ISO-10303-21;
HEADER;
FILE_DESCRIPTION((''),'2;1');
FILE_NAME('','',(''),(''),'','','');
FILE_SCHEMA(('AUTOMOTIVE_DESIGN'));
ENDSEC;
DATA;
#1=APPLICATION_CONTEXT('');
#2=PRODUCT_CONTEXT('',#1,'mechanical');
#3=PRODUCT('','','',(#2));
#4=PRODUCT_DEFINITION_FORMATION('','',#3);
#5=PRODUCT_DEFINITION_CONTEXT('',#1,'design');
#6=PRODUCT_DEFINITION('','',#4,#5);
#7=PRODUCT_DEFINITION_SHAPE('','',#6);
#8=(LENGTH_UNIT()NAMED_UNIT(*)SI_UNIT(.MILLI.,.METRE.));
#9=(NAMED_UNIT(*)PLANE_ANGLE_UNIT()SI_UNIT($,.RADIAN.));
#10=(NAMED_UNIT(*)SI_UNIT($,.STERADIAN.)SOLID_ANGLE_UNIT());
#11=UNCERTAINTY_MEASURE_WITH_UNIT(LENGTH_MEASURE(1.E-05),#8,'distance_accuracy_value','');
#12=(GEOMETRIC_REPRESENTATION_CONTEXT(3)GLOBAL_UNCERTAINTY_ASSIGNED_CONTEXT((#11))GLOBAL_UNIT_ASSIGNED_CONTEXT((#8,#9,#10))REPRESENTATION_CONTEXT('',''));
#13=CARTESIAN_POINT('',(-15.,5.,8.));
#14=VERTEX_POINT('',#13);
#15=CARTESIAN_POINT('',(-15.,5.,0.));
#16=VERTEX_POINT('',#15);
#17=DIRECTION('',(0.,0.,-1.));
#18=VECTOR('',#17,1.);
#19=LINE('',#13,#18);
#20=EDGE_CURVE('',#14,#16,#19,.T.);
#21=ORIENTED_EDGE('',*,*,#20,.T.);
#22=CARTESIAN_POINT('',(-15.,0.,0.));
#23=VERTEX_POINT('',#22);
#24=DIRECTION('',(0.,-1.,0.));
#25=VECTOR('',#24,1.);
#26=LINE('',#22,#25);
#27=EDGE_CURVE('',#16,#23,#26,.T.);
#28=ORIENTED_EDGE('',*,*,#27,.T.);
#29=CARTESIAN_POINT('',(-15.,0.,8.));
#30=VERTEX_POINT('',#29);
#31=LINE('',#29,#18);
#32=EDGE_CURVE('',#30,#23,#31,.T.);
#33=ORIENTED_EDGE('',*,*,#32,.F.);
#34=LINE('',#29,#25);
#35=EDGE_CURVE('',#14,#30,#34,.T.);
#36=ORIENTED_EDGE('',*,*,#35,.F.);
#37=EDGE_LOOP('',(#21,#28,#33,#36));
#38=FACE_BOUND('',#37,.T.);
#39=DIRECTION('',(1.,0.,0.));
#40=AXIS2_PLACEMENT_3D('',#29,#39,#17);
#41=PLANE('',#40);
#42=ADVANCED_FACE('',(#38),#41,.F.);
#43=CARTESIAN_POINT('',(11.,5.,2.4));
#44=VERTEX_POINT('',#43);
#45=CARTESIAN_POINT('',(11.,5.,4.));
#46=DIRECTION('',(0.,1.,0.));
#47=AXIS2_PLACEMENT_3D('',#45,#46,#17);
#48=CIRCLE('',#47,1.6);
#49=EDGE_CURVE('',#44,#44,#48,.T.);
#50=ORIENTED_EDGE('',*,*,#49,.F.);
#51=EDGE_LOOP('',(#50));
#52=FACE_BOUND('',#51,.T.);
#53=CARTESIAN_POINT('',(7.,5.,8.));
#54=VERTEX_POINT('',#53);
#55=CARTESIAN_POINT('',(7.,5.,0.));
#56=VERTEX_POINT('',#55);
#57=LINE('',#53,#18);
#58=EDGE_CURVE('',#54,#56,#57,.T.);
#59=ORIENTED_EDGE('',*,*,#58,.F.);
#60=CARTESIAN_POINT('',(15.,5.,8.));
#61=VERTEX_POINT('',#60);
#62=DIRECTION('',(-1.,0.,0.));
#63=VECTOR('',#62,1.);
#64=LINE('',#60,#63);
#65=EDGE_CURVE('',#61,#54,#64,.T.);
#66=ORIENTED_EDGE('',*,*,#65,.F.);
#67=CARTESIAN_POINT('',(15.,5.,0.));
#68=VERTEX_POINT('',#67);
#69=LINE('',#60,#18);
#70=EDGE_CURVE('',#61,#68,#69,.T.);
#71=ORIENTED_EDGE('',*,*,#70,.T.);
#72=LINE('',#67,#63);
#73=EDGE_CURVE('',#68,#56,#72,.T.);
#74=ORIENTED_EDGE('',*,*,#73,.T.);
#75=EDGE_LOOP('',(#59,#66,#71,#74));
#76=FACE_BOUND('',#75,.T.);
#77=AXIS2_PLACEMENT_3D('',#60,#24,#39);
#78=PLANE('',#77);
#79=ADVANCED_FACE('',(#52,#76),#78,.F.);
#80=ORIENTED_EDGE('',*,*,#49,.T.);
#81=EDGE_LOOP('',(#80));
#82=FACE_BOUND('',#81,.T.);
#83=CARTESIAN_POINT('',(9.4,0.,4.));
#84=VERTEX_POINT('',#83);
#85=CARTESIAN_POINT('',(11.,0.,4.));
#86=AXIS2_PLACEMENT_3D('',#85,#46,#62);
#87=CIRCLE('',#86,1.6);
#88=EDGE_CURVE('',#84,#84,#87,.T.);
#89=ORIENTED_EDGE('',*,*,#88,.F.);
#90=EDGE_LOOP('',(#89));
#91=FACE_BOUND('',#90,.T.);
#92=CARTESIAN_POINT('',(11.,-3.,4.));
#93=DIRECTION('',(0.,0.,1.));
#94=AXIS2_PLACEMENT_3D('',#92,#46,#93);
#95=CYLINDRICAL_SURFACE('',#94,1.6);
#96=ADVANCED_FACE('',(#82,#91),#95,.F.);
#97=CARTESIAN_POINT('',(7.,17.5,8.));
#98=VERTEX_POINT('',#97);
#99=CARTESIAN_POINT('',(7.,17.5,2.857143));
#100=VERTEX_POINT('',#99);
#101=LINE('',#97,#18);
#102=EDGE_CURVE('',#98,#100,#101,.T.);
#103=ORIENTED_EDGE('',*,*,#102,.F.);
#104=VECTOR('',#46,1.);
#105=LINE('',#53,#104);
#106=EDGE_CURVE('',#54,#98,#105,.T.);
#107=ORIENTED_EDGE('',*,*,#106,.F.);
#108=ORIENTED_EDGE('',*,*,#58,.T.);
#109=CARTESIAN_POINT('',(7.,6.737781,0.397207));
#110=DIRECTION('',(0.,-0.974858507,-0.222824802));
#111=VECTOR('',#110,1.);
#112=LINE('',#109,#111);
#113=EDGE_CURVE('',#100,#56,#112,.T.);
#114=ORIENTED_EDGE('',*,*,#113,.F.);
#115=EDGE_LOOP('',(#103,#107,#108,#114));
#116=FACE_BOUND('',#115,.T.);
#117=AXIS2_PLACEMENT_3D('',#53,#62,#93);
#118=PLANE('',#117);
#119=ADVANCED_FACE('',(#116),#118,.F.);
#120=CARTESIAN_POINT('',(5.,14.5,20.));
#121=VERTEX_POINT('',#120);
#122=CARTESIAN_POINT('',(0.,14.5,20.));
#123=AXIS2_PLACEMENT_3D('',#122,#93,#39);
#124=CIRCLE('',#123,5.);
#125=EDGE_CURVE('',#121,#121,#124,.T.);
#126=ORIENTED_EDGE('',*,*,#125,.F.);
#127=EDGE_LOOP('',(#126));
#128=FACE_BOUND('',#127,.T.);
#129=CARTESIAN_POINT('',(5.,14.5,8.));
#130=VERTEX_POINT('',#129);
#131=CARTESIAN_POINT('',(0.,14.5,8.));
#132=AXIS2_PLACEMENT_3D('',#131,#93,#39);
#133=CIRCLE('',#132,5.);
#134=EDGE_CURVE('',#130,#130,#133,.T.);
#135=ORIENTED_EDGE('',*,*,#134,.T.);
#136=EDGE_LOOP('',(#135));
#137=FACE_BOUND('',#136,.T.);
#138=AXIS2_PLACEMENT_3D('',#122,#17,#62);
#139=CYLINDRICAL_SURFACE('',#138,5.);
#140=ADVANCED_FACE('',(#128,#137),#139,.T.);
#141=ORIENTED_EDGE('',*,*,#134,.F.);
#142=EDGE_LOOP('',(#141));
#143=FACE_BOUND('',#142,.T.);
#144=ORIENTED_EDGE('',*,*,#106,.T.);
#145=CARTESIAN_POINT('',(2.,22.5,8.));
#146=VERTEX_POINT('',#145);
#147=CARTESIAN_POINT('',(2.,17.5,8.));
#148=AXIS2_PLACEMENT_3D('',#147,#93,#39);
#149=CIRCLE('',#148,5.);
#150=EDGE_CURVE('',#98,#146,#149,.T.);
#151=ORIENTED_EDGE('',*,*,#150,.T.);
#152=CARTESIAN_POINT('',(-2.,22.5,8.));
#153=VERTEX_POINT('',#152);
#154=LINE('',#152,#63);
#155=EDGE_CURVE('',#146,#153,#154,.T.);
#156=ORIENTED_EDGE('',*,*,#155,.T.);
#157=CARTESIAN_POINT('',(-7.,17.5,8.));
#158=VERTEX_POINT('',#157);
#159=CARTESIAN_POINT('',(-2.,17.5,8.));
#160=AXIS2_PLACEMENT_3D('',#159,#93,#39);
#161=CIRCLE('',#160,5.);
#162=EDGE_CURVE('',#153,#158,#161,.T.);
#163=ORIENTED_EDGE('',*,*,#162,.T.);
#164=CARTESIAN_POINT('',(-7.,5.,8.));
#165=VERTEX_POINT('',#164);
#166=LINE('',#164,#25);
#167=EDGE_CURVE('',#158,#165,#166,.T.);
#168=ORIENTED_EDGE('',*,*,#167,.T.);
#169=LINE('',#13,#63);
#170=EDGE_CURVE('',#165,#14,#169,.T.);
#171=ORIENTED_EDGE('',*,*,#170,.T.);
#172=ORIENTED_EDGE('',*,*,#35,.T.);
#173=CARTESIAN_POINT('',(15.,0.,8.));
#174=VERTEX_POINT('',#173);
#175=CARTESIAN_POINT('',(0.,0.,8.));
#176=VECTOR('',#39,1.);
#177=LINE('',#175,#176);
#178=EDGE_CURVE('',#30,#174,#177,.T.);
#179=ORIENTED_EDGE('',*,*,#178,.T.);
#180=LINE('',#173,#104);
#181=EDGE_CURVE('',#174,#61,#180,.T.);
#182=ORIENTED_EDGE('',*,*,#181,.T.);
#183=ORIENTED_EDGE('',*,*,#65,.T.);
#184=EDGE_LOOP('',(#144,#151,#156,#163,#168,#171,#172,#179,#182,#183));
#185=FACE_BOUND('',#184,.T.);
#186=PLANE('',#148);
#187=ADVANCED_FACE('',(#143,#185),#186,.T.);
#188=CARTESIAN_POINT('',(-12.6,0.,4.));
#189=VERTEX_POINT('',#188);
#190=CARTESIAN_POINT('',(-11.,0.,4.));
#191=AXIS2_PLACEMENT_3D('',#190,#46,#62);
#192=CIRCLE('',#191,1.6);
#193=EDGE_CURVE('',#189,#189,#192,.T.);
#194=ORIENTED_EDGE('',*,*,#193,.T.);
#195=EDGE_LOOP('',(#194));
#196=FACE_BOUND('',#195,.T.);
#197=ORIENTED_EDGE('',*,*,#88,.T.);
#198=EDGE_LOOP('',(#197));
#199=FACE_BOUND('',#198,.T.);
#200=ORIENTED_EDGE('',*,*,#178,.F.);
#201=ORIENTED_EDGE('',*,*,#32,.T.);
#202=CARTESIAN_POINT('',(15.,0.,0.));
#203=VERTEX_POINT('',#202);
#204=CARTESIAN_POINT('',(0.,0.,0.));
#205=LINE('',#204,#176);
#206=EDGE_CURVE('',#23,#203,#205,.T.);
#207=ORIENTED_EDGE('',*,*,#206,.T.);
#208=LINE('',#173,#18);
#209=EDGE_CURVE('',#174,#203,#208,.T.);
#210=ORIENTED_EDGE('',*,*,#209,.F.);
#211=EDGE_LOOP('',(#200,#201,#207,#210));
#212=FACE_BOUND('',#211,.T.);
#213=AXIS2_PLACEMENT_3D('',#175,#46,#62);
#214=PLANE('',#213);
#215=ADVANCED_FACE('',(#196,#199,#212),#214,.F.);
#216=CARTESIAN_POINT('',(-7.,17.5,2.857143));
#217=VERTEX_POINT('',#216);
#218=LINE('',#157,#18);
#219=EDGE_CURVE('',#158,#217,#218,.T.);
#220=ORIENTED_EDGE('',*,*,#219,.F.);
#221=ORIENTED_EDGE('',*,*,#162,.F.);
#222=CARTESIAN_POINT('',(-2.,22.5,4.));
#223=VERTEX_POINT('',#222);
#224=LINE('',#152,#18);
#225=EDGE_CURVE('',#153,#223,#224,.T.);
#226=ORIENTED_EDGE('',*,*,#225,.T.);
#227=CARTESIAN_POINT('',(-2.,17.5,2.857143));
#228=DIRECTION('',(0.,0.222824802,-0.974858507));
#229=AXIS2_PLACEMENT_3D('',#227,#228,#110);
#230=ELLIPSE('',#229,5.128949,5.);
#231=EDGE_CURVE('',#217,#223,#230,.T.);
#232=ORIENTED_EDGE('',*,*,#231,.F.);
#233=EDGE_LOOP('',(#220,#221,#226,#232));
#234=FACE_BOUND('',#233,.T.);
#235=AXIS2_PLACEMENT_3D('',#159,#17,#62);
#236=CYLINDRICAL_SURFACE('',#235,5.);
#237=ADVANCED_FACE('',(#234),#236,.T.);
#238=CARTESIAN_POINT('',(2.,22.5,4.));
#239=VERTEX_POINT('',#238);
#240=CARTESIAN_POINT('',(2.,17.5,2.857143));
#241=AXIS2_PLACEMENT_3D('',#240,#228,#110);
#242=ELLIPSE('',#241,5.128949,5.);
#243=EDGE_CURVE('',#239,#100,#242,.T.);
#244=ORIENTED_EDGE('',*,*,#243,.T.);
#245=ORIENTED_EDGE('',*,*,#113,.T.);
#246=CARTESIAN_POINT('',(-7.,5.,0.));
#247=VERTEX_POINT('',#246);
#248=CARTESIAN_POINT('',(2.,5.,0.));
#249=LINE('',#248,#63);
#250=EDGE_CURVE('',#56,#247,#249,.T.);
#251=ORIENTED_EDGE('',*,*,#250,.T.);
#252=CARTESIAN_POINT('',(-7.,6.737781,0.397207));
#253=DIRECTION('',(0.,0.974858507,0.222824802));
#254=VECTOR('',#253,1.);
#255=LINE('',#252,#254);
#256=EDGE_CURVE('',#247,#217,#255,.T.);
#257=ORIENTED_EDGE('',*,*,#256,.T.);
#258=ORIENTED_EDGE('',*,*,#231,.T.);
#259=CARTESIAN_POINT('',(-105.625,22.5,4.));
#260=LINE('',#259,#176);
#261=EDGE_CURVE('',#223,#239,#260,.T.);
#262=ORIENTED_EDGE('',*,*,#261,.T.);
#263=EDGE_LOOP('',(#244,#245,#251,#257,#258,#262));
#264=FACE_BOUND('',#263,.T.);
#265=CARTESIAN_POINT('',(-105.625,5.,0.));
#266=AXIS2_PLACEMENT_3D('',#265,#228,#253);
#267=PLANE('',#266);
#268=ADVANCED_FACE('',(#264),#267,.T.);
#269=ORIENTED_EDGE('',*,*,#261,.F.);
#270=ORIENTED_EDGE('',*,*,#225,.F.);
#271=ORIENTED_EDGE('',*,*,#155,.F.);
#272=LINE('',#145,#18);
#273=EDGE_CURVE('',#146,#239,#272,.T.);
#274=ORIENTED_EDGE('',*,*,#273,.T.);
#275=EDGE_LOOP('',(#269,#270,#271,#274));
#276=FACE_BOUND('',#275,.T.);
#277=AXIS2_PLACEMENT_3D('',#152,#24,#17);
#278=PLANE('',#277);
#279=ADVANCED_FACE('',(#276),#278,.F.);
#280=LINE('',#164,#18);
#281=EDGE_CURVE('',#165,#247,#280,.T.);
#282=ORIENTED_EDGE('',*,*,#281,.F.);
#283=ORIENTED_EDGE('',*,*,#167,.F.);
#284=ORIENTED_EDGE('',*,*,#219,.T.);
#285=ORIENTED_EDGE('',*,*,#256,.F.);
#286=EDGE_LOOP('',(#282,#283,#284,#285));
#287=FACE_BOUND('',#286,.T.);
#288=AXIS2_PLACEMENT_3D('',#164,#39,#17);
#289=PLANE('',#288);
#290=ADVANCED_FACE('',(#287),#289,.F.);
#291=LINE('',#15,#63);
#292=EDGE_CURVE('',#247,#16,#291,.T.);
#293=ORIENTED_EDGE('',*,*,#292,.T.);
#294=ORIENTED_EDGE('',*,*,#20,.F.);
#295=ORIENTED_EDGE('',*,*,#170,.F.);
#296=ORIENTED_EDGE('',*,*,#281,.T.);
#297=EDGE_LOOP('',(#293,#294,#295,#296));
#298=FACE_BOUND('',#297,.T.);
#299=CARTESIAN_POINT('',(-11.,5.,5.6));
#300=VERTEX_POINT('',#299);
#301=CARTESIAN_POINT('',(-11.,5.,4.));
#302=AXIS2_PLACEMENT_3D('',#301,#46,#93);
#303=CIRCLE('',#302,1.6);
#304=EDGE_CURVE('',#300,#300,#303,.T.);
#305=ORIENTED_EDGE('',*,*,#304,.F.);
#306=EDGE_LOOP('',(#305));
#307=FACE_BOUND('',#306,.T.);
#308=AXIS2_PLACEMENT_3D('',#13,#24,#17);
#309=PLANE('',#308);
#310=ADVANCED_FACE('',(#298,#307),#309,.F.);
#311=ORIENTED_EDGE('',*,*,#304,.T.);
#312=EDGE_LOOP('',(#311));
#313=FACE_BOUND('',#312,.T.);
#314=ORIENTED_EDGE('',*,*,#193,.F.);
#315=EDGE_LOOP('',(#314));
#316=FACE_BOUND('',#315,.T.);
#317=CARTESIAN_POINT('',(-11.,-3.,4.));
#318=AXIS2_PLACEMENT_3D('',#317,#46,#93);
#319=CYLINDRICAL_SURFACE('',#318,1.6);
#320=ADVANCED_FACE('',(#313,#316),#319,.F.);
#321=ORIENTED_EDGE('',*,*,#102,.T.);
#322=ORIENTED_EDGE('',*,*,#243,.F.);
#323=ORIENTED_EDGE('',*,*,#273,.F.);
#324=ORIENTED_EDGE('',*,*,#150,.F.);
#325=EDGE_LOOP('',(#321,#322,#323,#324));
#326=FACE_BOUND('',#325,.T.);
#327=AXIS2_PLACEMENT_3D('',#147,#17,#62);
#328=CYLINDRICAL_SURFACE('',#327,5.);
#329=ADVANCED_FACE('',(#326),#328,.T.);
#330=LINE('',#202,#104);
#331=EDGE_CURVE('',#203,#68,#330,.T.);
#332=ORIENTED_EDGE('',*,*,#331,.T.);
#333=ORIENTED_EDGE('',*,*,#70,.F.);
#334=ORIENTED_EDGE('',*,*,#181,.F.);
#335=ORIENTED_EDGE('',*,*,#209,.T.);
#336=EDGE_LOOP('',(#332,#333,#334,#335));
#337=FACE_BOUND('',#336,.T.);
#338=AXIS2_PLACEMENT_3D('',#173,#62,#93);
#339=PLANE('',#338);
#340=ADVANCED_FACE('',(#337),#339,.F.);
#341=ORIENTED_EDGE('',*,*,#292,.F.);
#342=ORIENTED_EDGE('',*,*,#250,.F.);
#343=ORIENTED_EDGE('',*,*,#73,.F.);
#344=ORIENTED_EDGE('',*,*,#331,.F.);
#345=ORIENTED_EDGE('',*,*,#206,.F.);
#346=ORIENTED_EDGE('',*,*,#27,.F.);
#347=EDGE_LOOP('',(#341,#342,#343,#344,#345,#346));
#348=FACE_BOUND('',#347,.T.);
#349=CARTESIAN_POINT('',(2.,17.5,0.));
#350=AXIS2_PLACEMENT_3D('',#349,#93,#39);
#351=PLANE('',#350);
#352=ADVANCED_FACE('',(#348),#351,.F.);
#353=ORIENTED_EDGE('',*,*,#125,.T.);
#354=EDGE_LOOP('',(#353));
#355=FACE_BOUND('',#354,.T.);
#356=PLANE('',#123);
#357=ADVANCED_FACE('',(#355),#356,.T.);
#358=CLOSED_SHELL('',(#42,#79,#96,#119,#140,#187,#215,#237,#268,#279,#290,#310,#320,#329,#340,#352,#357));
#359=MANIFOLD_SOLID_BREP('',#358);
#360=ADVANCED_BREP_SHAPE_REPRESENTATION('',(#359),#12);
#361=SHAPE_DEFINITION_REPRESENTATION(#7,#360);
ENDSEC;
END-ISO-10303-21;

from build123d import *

# Parameters (mm, degrees)
BOSS_EXTRUDE2_DEPTH     = 8
SKETCH2_R               = 1.6
CUT_EXTRUDE1_DEPTH      = 8
SKETCH3_R               = 5
BOSS_EXTRUDE3_DEPTH     = 12
CUT_EXTRUDE3_DEPTH      = 43.5
CUT_EXTRUDE3_DEPTH_BACK = 43.5


with BuildPart() as part:
    # Sketch1 → Boss-Extrude2 (new body)
    with BuildSketch(Plane.XY):
        with BuildLine():
            Line((0, 0), (-15, 0))
            Line((-15, 0), (-15, 5))
            Line((-15, 5), (-7, 5))
            Line((-7, 5), (-7, 17.5))
            ThreePointArc((-7, 17.5), (-5.535533906, 21.035533906), (-2, 22.5))
            Line((-2, 22.5), (2, 22.5))
            ThreePointArc((2, 22.5), (5.535533906, 21.035533906), (7, 17.5))
            Line((7, 17.5), (7, 5))
            Line((7, 5), (15, 5))
            Line((15, 5), (15, 0))
            Line((15, 0), (0, 0))
        make_face()
    extrude(amount=BOSS_EXTRUDE2_DEPTH)

    # Sketch2 → Cut-Extrude1 (cut)
    with BuildSketch(Plane(origin=(0, 5, 0), x_dir=(1, 0, 0), z_dir=(0, 1, 0))):
        with Locations((-11, -4)):
            Circle(SKETCH2_R)
        with Locations((11, -4)):
            Circle(SKETCH2_R)
    extrude(amount=-CUT_EXTRUDE1_DEPTH, mode=Mode.SUBTRACT)

    # Sketch3 → Boss-Extrude3 (add)
    with BuildSketch(Plane.XY.offset(8)):
        with Locations((0, 14.5)):
            Circle(SKETCH3_R)
    extrude(amount=BOSS_EXTRUDE3_DEPTH)

    # Sketch8 → Cut-Extrude3 (cut, two sides: drawn at the far end of the back side and taken through both)
    with BuildSketch(Plane.ZY.offset(15).offset(-CUT_EXTRUDE3_DEPTH_BACK)):
        Polygon((-14.53213237, -58.578079117), (0, 5), (4, 22.5), (18.53213237, 86.078079117), (-108.624025864, 115.142343856), (-141.688290603, -29.513814378), align=None)
    extrude(amount=CUT_EXTRUDE3_DEPTH + CUT_EXTRUDE3_DEPTH_BACK, mode=Mode.SUBTRACT)


solid = part.part
